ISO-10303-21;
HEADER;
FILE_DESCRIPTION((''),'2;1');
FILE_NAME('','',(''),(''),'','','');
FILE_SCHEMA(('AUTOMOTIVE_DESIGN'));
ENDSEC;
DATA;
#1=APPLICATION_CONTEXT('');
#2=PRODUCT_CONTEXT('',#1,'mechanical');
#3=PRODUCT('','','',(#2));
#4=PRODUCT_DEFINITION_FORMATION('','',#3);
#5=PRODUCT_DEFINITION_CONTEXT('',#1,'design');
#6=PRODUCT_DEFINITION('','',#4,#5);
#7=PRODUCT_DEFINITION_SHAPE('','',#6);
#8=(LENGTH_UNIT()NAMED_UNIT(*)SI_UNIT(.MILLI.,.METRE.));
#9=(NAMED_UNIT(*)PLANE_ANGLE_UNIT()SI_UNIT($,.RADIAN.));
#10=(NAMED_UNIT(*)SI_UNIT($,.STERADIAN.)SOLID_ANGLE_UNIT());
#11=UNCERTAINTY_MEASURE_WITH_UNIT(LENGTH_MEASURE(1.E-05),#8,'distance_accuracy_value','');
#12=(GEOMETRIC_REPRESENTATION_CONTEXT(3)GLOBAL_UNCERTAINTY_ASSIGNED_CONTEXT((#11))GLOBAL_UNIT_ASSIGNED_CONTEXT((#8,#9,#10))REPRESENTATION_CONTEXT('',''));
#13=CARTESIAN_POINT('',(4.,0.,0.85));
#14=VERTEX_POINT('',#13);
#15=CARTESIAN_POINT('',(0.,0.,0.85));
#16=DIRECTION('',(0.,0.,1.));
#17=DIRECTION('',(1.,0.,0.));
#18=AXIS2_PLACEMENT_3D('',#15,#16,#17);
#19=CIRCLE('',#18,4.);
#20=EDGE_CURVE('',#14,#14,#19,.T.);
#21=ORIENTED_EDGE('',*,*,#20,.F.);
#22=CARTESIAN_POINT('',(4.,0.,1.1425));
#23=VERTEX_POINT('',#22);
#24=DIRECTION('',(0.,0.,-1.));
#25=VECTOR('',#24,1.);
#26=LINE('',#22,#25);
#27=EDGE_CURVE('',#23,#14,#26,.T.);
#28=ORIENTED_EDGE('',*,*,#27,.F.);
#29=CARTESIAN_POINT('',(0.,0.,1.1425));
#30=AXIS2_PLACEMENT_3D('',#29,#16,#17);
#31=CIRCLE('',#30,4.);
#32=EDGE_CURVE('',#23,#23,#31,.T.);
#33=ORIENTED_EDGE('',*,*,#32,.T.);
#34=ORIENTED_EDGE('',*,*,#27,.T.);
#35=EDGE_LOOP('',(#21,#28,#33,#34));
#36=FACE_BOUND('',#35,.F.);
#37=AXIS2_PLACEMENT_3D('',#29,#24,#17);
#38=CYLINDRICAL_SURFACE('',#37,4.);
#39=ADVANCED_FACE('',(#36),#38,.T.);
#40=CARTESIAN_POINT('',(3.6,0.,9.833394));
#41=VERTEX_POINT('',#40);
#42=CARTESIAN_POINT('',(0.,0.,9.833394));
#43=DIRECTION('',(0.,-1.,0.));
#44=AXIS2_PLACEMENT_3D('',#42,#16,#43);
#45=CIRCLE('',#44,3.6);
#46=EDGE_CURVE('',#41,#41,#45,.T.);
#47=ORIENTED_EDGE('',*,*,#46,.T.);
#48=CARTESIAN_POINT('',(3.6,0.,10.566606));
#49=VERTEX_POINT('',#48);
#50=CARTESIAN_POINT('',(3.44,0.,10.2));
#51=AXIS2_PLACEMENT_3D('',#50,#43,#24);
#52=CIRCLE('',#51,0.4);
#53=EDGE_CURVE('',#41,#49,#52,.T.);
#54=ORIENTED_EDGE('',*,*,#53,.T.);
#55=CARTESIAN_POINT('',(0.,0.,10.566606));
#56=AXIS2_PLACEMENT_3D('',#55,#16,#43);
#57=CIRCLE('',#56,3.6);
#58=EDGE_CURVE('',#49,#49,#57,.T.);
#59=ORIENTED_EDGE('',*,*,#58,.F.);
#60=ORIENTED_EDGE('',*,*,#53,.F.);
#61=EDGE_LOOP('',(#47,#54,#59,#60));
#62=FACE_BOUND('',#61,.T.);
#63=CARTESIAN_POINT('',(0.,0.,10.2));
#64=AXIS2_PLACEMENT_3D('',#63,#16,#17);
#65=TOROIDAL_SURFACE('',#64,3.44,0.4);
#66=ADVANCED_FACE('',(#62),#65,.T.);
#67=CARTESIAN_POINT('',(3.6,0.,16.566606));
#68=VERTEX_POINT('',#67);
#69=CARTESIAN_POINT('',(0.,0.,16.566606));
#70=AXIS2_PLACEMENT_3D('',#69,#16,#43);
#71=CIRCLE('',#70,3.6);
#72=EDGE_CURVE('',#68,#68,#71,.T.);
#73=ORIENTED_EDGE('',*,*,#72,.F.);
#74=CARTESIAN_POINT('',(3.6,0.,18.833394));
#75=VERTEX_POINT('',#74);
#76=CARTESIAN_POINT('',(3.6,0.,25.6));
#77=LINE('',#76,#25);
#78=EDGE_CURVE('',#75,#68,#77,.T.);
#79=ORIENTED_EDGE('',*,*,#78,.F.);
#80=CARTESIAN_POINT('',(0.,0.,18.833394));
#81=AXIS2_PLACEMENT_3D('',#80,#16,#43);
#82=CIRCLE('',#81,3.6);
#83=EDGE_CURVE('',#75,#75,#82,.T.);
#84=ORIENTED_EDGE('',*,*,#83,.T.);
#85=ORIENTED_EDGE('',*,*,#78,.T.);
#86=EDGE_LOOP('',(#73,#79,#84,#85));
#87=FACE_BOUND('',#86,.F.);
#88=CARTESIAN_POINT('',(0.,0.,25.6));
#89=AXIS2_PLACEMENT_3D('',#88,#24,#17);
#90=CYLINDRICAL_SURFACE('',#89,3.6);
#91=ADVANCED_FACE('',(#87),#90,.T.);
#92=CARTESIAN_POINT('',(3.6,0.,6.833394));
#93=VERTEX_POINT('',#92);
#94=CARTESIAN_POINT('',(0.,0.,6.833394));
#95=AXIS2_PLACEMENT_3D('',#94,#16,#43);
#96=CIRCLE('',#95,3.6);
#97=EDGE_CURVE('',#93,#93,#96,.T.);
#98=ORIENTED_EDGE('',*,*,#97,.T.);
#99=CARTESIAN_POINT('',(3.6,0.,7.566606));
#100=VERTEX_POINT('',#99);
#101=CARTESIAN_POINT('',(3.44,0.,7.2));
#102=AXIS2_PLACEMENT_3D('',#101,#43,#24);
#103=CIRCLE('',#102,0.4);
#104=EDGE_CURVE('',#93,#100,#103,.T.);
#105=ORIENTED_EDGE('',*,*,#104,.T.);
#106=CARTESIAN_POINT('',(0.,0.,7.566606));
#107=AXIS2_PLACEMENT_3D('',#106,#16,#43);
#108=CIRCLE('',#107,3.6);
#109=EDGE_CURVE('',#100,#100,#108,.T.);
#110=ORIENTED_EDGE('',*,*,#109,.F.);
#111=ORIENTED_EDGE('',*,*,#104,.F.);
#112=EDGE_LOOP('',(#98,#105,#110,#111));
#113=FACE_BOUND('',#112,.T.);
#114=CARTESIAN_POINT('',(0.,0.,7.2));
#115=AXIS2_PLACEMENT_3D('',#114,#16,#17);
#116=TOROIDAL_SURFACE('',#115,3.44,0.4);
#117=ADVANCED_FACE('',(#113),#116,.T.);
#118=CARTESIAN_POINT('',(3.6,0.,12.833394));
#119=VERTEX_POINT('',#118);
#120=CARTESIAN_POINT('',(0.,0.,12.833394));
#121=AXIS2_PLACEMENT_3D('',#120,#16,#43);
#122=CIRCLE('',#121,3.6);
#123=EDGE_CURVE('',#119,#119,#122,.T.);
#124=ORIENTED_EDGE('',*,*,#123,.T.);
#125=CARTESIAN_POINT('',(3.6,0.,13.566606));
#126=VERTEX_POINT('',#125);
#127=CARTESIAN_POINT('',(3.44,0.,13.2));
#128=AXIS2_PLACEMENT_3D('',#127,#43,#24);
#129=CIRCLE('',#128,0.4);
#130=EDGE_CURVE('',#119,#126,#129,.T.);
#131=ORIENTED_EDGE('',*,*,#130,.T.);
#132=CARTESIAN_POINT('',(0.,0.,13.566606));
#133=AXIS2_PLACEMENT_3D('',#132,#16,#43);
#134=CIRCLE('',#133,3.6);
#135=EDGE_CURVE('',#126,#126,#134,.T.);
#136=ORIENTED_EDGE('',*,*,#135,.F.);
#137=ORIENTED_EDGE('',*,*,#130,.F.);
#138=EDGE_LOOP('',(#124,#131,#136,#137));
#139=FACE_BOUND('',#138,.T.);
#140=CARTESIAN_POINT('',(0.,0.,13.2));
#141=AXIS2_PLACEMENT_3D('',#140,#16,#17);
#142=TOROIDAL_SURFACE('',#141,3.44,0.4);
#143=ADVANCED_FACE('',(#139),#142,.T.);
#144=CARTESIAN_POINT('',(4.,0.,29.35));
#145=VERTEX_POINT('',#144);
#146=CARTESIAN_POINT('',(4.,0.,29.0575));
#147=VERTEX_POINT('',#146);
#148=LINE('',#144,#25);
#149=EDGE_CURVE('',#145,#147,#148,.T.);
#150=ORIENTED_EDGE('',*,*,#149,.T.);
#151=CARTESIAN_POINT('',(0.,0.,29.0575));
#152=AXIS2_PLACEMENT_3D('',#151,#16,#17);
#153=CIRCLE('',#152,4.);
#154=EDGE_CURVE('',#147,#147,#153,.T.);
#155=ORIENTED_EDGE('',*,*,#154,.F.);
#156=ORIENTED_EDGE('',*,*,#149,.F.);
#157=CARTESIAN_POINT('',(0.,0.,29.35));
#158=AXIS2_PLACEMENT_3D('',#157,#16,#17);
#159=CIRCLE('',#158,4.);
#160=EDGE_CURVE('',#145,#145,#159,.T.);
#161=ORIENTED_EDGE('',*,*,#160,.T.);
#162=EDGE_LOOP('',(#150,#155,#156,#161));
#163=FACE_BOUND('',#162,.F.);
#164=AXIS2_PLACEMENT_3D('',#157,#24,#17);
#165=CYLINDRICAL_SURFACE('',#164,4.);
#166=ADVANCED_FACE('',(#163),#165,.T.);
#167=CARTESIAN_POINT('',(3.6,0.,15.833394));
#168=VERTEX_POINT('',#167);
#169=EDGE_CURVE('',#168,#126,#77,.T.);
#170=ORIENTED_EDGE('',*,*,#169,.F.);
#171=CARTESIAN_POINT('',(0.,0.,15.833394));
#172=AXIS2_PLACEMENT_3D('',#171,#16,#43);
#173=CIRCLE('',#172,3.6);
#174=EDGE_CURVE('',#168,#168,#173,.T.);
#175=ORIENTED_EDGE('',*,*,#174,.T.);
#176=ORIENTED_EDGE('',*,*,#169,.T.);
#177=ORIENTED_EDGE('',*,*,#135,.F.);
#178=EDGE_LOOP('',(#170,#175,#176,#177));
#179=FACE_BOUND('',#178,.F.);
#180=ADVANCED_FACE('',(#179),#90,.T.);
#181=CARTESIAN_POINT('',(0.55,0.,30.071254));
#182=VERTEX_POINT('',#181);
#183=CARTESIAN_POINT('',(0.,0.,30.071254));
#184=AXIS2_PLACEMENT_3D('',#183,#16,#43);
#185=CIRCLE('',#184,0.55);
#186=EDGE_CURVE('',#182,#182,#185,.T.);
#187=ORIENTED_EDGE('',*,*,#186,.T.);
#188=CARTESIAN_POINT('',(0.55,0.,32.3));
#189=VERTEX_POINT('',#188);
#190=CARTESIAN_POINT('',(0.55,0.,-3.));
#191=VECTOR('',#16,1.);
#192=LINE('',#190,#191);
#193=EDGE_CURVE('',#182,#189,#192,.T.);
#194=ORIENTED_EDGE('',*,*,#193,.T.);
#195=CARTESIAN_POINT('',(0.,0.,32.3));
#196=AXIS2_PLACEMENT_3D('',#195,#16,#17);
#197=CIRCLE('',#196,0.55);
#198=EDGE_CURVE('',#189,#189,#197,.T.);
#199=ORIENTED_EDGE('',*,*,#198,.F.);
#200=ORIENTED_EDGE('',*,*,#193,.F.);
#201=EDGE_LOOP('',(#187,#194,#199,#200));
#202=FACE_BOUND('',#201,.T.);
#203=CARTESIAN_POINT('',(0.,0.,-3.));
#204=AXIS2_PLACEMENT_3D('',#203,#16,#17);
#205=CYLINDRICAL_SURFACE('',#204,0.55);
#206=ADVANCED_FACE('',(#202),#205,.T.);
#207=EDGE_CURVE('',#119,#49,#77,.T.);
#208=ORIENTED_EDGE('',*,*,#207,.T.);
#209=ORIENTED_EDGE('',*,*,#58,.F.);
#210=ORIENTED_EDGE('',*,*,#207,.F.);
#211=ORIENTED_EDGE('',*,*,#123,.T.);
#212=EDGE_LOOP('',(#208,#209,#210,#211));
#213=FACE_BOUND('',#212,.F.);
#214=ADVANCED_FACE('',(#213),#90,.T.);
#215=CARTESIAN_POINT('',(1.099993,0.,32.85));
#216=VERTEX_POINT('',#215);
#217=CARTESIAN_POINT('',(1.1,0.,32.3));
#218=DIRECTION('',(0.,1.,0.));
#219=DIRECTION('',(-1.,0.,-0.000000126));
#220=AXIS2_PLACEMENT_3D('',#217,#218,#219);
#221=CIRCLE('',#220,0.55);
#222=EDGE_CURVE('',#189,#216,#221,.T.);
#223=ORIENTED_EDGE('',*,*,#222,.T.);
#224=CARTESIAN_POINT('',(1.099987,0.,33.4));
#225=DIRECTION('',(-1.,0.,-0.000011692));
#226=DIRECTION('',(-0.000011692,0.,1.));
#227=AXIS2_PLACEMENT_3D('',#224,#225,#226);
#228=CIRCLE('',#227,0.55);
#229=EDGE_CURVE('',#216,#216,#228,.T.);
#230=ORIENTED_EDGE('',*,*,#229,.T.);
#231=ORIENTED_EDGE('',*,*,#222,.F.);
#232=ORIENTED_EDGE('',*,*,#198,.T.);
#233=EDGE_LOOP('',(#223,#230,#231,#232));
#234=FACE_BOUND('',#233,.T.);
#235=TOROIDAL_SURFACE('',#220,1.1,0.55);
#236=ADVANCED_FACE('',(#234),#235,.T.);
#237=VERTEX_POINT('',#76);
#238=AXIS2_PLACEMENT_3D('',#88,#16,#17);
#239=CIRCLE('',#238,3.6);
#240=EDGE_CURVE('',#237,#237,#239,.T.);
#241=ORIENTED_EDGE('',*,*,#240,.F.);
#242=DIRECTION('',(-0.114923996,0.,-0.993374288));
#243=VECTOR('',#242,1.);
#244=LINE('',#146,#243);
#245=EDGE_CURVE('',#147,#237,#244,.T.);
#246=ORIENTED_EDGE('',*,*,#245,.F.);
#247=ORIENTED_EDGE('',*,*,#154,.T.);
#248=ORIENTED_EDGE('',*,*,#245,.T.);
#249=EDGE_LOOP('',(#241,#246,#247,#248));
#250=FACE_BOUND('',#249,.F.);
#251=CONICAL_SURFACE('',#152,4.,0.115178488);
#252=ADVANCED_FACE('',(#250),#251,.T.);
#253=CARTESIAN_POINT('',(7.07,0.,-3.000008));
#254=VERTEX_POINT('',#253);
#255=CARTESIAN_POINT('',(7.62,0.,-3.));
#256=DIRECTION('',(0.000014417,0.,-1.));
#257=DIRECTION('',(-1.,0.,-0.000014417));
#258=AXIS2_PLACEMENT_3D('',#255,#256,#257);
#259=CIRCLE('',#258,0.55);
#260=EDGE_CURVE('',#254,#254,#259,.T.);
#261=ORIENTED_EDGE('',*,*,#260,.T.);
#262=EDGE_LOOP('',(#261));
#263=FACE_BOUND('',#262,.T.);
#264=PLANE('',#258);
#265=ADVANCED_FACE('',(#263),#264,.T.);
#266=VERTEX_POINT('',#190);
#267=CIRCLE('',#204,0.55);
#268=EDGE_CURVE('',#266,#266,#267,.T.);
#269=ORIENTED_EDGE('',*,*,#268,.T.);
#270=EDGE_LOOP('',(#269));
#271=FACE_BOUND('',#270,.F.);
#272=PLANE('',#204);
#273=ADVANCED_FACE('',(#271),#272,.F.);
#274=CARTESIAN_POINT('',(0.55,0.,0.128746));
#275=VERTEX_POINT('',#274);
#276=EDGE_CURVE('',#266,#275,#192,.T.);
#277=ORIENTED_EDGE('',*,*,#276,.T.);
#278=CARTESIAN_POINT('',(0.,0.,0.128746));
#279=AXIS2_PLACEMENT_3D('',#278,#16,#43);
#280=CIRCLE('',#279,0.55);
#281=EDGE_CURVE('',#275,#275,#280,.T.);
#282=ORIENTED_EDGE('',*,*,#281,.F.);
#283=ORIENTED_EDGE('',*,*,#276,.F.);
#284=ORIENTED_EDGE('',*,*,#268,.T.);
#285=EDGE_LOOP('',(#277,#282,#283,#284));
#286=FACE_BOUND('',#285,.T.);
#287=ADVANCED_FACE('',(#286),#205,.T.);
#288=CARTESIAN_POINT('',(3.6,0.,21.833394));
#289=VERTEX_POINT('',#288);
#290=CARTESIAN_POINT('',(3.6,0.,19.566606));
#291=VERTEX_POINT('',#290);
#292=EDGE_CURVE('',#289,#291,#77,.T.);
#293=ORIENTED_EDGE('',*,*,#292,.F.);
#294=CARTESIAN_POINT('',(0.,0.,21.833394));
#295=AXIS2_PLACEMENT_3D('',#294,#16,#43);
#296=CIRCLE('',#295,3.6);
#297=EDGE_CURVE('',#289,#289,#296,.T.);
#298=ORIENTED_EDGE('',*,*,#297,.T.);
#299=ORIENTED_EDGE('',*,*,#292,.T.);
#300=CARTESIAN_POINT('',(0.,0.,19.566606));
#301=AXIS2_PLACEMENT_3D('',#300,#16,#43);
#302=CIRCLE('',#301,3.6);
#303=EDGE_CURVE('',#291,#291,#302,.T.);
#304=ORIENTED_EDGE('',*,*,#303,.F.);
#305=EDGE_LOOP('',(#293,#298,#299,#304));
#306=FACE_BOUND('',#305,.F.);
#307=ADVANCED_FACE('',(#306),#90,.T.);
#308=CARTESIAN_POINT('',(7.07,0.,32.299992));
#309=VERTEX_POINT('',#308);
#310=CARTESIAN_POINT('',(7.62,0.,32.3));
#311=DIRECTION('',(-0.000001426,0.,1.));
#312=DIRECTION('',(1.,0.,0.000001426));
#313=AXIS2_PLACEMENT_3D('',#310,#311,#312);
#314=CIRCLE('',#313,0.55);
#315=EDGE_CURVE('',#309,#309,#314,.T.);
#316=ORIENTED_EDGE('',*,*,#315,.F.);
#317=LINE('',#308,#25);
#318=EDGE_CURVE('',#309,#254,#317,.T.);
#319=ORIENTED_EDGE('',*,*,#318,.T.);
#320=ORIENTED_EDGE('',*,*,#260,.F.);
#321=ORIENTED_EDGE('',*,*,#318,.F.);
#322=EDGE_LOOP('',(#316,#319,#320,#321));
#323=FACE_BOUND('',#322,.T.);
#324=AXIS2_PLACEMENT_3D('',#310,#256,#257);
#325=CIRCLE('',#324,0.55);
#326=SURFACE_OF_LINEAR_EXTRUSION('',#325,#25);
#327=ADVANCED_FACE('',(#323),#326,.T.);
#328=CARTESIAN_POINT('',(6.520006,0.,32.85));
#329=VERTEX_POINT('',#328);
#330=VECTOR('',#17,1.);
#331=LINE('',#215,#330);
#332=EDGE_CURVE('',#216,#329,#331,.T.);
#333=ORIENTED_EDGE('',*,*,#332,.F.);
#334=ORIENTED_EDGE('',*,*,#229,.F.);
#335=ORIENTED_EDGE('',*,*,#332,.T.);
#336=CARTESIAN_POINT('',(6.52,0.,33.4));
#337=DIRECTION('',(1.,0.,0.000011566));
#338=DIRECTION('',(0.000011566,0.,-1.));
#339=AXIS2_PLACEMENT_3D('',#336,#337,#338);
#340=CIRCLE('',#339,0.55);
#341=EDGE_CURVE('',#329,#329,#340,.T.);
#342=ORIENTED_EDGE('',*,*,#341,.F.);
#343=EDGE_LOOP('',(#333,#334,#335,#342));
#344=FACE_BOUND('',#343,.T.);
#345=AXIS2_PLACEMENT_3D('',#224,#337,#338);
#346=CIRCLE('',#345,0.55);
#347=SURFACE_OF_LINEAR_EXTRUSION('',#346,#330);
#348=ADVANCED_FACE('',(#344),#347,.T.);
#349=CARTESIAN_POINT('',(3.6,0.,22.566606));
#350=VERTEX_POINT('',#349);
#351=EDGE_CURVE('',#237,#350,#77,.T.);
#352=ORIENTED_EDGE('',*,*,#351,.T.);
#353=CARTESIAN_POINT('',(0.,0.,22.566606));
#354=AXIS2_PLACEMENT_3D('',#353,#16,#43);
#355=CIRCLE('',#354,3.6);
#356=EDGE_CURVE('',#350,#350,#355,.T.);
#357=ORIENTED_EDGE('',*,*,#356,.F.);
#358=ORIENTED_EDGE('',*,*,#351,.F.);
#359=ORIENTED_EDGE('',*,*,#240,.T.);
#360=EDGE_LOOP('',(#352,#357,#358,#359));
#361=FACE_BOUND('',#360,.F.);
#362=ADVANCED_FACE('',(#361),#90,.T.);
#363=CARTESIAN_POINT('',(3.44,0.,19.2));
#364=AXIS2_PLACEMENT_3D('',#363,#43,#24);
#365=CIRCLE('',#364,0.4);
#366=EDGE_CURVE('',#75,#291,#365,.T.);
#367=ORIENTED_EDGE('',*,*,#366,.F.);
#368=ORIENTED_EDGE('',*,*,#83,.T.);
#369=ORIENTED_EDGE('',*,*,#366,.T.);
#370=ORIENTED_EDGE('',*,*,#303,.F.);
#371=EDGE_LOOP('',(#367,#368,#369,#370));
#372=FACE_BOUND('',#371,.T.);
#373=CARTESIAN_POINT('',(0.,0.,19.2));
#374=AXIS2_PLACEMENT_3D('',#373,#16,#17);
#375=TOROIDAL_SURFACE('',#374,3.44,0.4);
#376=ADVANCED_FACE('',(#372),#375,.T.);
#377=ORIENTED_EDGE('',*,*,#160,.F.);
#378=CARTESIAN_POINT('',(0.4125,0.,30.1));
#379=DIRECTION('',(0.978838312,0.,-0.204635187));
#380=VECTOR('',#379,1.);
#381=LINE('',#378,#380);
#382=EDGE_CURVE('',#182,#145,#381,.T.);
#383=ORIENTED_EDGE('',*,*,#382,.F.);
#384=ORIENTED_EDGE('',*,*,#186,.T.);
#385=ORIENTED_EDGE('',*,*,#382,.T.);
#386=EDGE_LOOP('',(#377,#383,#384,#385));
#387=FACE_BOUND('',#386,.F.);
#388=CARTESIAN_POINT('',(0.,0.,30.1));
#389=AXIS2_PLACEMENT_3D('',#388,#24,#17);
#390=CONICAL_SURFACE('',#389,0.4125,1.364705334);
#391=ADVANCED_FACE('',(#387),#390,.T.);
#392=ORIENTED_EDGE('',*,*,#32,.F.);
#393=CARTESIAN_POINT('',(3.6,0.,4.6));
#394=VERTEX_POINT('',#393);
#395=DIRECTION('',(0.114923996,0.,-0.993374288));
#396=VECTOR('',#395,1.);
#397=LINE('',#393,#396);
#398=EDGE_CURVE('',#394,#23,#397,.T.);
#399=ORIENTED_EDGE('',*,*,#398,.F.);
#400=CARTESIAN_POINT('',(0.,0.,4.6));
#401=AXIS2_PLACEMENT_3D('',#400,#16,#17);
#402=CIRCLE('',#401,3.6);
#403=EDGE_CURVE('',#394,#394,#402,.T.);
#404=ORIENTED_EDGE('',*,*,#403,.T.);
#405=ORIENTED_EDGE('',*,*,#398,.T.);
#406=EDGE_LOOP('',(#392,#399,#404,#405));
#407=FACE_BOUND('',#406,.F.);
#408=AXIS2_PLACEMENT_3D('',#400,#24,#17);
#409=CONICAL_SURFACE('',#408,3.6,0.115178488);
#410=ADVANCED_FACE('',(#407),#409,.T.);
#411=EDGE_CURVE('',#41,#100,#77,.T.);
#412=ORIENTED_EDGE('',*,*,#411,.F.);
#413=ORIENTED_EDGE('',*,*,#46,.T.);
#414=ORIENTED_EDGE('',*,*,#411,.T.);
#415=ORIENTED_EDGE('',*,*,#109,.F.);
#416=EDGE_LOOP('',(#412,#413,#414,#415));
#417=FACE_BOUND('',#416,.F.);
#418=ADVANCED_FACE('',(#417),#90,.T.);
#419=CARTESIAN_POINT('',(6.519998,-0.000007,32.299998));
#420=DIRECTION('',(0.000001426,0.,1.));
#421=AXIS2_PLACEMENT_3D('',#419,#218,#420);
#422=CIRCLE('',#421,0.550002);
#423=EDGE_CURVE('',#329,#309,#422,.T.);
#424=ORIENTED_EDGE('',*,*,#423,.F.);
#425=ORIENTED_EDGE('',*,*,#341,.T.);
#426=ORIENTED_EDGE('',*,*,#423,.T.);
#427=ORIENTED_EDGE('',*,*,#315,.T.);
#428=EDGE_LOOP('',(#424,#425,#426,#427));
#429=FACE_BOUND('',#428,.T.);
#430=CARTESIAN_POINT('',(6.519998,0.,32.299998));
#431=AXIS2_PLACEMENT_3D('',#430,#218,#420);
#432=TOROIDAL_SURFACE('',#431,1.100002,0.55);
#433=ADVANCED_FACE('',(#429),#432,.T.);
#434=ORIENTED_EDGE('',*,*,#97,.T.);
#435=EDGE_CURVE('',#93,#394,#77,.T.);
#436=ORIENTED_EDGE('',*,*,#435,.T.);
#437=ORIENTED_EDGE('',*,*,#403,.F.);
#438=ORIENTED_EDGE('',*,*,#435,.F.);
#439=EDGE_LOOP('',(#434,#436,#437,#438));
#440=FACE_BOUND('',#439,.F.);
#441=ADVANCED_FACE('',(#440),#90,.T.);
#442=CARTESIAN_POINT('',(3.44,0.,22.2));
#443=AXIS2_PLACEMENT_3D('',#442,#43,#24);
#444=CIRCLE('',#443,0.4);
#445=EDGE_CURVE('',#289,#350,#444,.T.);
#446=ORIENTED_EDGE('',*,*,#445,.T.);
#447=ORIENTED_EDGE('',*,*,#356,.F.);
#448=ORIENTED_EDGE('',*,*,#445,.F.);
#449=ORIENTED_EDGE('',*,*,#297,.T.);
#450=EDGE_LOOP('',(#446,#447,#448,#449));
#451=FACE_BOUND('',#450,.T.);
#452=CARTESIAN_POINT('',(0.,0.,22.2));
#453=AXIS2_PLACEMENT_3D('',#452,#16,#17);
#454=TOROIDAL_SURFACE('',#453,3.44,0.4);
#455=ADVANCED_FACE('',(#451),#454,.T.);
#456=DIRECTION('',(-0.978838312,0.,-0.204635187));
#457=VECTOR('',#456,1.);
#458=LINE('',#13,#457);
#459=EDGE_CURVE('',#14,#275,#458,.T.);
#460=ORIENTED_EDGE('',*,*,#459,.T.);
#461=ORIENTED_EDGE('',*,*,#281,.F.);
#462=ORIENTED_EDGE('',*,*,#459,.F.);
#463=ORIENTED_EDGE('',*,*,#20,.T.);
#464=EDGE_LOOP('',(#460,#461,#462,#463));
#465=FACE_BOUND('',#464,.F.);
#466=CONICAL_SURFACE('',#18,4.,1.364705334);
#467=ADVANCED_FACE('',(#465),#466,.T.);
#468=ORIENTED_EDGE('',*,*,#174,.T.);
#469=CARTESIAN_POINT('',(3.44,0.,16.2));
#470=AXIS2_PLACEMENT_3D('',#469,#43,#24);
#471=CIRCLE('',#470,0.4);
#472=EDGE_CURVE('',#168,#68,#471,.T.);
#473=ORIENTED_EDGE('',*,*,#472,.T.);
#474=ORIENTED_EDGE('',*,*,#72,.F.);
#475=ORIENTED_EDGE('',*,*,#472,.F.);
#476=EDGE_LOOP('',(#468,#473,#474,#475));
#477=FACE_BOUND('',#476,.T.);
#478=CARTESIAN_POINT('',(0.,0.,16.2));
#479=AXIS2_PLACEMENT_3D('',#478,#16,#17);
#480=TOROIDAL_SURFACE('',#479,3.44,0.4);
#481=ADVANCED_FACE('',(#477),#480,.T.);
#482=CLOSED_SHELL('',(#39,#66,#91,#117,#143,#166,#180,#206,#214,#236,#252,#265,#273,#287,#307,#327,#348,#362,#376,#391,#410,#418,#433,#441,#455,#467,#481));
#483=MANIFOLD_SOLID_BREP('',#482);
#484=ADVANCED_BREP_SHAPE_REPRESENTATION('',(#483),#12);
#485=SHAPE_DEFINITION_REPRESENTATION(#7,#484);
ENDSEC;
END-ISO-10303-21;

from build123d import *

# Parameters (mm, degrees)
SKETCH_R = 0.55


with BuildPart() as revolution:
    # Sketch002 → Revolution (revolve)
    with BuildSketch(Plane.XZ):
        Polygon((0, 0.1), (0, 30.1), (0.4125, 30.1), (4, 29.35), (4, 29.0575), (3.6, 25.6), (3.6, 4.6), (4, 1.1425), (4, 0.85), (0.4125, 0.1), align=None)
    revolve(axis=Axis((0, 0, 0), (0, 0, 1)))


with BuildPart() as sweep_body:
    # Sweep: sweep along a path in Sketch001
    with BuildLine(Plane.XZ) as sweep_path:
        Line((0, -3), (0, 32.3))
        ThreePointArc((0, 32.3), (0.322178, 33.077813), (1.099987, 33.4))
        Line((1.099987, 33.4), (6.52, 33.4))
        ThreePointArc((6.52, 33.4), (7.297817, 33.077817), (7.62, 32.3))
        Line((7.62, 32.3), (7.62, -3))
    # Sketch → Sweep (sweep)
    with BuildSketch(Plane.XY.offset(-2)):
        Circle(SKETCH_R)
    sweep(path=sweep_path.line)


with BuildPart() as revolution001_mp_cp:
    # Sketch003 → Revolution001 (revolve)
    with BuildSketch(Plane.XZ):
        with BuildLine():
            Line((3.2, 24.8), (3.2, 4.6))
            Line((3.2, 4.6), (3.44, 4.6))
            Line((3.44, 4.6), (3.44, 6.8))
            ThreePointArc((3.44, 6.8), (3.84, 7.2), (3.44, 7.6))
            Line((3.44, 7.6), (3.44, 9.8))
            ThreePointArc((3.44, 9.8), (3.84, 10.2), (3.44, 10.6))
            Line((3.44, 10.6), (3.44, 12.8))
            ThreePointArc((3.44, 12.8), (3.84, 13.2), (3.44, 13.6))
            Line((3.44, 13.6), (3.44, 15.8))
            ThreePointArc((3.44, 15.8), (3.84, 16.2), (3.44, 16.6))
            Line((3.44, 16.6), (3.44, 18.8))
            ThreePointArc((3.44, 18.8), (3.84, 19.2), (3.44, 19.6))
            Line((3.44, 19.6), (3.44, 21.8))
            ThreePointArc((3.44, 21.8), (3.84, 22.2), (3.44, 22.6))
            Line((3.44, 24.8), (3.44, 22.6))
            Line((3.2, 24.8), (3.44, 24.8))
        make_face()
    revolve(axis=Axis((0, 0, 0), (0, 0, 1)))

    # Revolution001_mp_cp: union Revolution, Sweep body
    add(revolution.part)
    add(sweep_body.part)


solid = revolution001_mp_cp.part
